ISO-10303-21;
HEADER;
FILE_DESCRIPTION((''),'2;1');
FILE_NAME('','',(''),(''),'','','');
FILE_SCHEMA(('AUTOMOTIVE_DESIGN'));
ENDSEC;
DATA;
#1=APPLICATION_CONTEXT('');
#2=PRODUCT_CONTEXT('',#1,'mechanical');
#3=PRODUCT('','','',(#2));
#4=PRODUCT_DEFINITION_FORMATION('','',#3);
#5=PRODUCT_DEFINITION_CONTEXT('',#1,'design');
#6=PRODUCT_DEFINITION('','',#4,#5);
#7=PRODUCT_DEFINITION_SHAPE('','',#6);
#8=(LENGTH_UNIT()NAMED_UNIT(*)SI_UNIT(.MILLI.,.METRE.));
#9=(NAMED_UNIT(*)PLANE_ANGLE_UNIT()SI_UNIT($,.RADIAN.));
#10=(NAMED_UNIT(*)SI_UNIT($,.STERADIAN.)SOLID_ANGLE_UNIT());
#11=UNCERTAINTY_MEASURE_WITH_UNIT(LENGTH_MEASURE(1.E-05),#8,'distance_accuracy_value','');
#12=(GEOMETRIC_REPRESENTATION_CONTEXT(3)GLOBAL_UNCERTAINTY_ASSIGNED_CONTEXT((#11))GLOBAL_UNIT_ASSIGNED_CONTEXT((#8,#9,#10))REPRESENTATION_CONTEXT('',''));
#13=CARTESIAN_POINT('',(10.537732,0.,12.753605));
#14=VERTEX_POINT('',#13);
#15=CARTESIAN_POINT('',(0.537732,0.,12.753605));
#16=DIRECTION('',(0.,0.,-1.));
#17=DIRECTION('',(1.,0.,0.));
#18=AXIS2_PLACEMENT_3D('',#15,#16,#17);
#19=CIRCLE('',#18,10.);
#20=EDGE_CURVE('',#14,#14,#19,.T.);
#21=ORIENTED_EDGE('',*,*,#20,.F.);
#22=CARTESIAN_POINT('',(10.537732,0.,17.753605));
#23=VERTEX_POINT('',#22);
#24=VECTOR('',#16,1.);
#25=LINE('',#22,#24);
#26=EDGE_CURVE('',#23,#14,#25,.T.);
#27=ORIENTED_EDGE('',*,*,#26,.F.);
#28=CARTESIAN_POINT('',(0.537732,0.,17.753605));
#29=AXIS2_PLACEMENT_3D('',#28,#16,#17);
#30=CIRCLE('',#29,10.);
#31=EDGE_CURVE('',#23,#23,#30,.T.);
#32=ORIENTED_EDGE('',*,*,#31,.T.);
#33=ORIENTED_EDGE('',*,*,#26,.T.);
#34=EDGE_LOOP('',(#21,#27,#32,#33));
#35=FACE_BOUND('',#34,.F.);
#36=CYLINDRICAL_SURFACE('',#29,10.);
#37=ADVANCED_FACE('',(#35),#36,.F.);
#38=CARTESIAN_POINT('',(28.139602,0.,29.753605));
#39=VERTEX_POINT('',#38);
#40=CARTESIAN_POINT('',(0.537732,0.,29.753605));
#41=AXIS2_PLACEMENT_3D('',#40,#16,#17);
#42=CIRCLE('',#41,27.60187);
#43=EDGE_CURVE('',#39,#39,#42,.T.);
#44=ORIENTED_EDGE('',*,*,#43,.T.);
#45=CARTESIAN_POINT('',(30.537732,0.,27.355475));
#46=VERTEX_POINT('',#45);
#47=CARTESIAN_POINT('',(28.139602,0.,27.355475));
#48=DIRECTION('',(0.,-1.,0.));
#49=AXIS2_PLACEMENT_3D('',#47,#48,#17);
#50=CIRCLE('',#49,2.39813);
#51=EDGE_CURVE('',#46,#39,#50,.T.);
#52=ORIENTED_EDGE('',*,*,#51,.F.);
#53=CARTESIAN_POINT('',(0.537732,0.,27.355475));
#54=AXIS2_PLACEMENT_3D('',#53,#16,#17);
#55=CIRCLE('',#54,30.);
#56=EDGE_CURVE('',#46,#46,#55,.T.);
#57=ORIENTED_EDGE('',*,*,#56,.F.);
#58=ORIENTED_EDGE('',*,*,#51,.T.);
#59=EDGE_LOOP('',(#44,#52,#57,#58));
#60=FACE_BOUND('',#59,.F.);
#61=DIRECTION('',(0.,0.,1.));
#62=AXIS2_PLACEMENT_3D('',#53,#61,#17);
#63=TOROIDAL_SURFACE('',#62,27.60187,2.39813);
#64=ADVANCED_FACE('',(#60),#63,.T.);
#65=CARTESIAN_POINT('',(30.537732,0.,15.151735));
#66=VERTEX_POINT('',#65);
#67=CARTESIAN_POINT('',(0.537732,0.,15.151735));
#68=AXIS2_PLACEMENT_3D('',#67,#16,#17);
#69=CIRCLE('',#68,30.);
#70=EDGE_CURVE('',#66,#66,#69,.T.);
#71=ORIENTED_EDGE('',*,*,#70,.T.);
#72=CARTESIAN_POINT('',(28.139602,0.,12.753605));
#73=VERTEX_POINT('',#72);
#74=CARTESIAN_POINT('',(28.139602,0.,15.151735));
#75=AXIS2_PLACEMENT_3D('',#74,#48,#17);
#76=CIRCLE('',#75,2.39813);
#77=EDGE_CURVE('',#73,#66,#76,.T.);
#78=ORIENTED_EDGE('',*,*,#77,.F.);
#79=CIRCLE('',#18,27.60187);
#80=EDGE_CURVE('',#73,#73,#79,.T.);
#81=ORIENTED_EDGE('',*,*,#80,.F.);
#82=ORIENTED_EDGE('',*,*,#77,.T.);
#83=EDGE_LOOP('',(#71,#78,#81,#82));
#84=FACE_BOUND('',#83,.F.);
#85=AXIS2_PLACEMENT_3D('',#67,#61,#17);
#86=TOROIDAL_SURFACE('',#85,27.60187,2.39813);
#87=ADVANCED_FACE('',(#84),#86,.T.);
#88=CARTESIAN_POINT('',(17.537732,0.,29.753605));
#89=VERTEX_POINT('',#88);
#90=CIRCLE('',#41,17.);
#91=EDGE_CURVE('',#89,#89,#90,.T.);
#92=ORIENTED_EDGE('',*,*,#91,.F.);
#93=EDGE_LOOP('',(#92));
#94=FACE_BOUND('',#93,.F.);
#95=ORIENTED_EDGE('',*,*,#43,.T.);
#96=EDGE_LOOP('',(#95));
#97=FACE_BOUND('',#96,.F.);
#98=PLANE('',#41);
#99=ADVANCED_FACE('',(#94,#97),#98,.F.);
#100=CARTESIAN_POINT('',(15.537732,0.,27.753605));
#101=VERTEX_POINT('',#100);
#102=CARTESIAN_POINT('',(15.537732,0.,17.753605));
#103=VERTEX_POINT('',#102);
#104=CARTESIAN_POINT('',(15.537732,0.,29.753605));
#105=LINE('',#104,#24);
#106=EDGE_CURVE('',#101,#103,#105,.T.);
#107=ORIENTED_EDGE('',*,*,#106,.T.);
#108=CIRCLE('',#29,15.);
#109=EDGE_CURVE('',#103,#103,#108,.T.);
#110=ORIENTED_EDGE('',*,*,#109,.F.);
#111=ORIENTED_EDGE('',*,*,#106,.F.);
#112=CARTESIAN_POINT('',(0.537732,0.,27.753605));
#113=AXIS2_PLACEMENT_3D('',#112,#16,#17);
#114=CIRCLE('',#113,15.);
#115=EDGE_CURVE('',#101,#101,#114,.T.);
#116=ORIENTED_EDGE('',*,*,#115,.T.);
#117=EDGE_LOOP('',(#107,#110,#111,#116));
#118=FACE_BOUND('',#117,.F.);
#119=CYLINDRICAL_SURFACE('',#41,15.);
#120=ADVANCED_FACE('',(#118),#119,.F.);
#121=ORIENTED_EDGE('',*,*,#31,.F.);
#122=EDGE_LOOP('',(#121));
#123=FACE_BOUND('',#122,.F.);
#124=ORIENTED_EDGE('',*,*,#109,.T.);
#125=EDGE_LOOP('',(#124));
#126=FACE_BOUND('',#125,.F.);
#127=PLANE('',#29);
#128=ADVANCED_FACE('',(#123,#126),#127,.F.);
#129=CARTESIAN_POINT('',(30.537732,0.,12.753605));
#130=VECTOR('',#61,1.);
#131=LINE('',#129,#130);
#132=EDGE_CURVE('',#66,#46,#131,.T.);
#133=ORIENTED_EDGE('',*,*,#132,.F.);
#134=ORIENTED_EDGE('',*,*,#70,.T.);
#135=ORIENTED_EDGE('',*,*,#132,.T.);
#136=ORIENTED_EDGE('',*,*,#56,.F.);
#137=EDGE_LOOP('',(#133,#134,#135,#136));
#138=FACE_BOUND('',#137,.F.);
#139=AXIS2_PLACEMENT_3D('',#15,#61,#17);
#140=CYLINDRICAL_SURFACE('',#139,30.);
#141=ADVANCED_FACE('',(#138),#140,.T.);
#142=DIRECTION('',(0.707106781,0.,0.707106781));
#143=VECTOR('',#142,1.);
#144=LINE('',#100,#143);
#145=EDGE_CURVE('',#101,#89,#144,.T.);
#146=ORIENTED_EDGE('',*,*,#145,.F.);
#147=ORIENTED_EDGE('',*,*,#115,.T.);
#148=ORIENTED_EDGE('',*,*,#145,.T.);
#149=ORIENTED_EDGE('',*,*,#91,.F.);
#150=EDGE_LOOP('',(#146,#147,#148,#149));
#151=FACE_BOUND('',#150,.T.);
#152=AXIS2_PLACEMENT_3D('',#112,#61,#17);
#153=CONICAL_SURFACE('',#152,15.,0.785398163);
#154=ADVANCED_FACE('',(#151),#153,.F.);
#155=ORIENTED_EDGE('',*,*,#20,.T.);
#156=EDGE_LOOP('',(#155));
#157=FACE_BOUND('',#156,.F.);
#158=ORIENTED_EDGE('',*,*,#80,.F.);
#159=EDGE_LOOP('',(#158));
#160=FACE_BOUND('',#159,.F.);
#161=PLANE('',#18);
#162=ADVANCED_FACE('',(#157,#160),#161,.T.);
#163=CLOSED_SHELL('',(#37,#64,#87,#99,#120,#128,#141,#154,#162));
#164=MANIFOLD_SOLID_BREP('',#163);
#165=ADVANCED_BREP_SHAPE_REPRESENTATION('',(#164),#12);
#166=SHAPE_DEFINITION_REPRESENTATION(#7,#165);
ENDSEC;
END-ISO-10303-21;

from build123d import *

# Parameters (mm, degrees)
F2_R    = 2.3981299458
F3_SIZE = 2


with BuildPart() as f1:
    # F0 (on Front) → F1 (revolve)
    with BuildSketch(Plane.XZ):
        Polygon((15.5377323945, 17.7536051821), (10.5377323945, 17.7536051821), (10.5377323945, 12.7536051821), (30.5377323945, 12.7536051821), (30.5377323945, 29.7536051821), (15.5377323945, 29.7536051821), align=None)
    revolve(axis=Axis((0.5377323945, 0, 22.511664778), (0, 0, -1)))

    # F2
    f2_edges = [f1.edges().sort_by_distance(p)[0] for p in [
        (-29.462268, 0, 29.753605),
        (-29.462268, 0, 12.753605),
    ]]
    fillet(f2_edges, radius=F2_R)

    # F3
    f3_edges = [f1.edges().sort_by_distance(p)[0] for p in [
        (-14.462268, 0, 29.753605),
    ]]
    chamfer(f3_edges, length=F3_SIZE)


solid = f1.part
